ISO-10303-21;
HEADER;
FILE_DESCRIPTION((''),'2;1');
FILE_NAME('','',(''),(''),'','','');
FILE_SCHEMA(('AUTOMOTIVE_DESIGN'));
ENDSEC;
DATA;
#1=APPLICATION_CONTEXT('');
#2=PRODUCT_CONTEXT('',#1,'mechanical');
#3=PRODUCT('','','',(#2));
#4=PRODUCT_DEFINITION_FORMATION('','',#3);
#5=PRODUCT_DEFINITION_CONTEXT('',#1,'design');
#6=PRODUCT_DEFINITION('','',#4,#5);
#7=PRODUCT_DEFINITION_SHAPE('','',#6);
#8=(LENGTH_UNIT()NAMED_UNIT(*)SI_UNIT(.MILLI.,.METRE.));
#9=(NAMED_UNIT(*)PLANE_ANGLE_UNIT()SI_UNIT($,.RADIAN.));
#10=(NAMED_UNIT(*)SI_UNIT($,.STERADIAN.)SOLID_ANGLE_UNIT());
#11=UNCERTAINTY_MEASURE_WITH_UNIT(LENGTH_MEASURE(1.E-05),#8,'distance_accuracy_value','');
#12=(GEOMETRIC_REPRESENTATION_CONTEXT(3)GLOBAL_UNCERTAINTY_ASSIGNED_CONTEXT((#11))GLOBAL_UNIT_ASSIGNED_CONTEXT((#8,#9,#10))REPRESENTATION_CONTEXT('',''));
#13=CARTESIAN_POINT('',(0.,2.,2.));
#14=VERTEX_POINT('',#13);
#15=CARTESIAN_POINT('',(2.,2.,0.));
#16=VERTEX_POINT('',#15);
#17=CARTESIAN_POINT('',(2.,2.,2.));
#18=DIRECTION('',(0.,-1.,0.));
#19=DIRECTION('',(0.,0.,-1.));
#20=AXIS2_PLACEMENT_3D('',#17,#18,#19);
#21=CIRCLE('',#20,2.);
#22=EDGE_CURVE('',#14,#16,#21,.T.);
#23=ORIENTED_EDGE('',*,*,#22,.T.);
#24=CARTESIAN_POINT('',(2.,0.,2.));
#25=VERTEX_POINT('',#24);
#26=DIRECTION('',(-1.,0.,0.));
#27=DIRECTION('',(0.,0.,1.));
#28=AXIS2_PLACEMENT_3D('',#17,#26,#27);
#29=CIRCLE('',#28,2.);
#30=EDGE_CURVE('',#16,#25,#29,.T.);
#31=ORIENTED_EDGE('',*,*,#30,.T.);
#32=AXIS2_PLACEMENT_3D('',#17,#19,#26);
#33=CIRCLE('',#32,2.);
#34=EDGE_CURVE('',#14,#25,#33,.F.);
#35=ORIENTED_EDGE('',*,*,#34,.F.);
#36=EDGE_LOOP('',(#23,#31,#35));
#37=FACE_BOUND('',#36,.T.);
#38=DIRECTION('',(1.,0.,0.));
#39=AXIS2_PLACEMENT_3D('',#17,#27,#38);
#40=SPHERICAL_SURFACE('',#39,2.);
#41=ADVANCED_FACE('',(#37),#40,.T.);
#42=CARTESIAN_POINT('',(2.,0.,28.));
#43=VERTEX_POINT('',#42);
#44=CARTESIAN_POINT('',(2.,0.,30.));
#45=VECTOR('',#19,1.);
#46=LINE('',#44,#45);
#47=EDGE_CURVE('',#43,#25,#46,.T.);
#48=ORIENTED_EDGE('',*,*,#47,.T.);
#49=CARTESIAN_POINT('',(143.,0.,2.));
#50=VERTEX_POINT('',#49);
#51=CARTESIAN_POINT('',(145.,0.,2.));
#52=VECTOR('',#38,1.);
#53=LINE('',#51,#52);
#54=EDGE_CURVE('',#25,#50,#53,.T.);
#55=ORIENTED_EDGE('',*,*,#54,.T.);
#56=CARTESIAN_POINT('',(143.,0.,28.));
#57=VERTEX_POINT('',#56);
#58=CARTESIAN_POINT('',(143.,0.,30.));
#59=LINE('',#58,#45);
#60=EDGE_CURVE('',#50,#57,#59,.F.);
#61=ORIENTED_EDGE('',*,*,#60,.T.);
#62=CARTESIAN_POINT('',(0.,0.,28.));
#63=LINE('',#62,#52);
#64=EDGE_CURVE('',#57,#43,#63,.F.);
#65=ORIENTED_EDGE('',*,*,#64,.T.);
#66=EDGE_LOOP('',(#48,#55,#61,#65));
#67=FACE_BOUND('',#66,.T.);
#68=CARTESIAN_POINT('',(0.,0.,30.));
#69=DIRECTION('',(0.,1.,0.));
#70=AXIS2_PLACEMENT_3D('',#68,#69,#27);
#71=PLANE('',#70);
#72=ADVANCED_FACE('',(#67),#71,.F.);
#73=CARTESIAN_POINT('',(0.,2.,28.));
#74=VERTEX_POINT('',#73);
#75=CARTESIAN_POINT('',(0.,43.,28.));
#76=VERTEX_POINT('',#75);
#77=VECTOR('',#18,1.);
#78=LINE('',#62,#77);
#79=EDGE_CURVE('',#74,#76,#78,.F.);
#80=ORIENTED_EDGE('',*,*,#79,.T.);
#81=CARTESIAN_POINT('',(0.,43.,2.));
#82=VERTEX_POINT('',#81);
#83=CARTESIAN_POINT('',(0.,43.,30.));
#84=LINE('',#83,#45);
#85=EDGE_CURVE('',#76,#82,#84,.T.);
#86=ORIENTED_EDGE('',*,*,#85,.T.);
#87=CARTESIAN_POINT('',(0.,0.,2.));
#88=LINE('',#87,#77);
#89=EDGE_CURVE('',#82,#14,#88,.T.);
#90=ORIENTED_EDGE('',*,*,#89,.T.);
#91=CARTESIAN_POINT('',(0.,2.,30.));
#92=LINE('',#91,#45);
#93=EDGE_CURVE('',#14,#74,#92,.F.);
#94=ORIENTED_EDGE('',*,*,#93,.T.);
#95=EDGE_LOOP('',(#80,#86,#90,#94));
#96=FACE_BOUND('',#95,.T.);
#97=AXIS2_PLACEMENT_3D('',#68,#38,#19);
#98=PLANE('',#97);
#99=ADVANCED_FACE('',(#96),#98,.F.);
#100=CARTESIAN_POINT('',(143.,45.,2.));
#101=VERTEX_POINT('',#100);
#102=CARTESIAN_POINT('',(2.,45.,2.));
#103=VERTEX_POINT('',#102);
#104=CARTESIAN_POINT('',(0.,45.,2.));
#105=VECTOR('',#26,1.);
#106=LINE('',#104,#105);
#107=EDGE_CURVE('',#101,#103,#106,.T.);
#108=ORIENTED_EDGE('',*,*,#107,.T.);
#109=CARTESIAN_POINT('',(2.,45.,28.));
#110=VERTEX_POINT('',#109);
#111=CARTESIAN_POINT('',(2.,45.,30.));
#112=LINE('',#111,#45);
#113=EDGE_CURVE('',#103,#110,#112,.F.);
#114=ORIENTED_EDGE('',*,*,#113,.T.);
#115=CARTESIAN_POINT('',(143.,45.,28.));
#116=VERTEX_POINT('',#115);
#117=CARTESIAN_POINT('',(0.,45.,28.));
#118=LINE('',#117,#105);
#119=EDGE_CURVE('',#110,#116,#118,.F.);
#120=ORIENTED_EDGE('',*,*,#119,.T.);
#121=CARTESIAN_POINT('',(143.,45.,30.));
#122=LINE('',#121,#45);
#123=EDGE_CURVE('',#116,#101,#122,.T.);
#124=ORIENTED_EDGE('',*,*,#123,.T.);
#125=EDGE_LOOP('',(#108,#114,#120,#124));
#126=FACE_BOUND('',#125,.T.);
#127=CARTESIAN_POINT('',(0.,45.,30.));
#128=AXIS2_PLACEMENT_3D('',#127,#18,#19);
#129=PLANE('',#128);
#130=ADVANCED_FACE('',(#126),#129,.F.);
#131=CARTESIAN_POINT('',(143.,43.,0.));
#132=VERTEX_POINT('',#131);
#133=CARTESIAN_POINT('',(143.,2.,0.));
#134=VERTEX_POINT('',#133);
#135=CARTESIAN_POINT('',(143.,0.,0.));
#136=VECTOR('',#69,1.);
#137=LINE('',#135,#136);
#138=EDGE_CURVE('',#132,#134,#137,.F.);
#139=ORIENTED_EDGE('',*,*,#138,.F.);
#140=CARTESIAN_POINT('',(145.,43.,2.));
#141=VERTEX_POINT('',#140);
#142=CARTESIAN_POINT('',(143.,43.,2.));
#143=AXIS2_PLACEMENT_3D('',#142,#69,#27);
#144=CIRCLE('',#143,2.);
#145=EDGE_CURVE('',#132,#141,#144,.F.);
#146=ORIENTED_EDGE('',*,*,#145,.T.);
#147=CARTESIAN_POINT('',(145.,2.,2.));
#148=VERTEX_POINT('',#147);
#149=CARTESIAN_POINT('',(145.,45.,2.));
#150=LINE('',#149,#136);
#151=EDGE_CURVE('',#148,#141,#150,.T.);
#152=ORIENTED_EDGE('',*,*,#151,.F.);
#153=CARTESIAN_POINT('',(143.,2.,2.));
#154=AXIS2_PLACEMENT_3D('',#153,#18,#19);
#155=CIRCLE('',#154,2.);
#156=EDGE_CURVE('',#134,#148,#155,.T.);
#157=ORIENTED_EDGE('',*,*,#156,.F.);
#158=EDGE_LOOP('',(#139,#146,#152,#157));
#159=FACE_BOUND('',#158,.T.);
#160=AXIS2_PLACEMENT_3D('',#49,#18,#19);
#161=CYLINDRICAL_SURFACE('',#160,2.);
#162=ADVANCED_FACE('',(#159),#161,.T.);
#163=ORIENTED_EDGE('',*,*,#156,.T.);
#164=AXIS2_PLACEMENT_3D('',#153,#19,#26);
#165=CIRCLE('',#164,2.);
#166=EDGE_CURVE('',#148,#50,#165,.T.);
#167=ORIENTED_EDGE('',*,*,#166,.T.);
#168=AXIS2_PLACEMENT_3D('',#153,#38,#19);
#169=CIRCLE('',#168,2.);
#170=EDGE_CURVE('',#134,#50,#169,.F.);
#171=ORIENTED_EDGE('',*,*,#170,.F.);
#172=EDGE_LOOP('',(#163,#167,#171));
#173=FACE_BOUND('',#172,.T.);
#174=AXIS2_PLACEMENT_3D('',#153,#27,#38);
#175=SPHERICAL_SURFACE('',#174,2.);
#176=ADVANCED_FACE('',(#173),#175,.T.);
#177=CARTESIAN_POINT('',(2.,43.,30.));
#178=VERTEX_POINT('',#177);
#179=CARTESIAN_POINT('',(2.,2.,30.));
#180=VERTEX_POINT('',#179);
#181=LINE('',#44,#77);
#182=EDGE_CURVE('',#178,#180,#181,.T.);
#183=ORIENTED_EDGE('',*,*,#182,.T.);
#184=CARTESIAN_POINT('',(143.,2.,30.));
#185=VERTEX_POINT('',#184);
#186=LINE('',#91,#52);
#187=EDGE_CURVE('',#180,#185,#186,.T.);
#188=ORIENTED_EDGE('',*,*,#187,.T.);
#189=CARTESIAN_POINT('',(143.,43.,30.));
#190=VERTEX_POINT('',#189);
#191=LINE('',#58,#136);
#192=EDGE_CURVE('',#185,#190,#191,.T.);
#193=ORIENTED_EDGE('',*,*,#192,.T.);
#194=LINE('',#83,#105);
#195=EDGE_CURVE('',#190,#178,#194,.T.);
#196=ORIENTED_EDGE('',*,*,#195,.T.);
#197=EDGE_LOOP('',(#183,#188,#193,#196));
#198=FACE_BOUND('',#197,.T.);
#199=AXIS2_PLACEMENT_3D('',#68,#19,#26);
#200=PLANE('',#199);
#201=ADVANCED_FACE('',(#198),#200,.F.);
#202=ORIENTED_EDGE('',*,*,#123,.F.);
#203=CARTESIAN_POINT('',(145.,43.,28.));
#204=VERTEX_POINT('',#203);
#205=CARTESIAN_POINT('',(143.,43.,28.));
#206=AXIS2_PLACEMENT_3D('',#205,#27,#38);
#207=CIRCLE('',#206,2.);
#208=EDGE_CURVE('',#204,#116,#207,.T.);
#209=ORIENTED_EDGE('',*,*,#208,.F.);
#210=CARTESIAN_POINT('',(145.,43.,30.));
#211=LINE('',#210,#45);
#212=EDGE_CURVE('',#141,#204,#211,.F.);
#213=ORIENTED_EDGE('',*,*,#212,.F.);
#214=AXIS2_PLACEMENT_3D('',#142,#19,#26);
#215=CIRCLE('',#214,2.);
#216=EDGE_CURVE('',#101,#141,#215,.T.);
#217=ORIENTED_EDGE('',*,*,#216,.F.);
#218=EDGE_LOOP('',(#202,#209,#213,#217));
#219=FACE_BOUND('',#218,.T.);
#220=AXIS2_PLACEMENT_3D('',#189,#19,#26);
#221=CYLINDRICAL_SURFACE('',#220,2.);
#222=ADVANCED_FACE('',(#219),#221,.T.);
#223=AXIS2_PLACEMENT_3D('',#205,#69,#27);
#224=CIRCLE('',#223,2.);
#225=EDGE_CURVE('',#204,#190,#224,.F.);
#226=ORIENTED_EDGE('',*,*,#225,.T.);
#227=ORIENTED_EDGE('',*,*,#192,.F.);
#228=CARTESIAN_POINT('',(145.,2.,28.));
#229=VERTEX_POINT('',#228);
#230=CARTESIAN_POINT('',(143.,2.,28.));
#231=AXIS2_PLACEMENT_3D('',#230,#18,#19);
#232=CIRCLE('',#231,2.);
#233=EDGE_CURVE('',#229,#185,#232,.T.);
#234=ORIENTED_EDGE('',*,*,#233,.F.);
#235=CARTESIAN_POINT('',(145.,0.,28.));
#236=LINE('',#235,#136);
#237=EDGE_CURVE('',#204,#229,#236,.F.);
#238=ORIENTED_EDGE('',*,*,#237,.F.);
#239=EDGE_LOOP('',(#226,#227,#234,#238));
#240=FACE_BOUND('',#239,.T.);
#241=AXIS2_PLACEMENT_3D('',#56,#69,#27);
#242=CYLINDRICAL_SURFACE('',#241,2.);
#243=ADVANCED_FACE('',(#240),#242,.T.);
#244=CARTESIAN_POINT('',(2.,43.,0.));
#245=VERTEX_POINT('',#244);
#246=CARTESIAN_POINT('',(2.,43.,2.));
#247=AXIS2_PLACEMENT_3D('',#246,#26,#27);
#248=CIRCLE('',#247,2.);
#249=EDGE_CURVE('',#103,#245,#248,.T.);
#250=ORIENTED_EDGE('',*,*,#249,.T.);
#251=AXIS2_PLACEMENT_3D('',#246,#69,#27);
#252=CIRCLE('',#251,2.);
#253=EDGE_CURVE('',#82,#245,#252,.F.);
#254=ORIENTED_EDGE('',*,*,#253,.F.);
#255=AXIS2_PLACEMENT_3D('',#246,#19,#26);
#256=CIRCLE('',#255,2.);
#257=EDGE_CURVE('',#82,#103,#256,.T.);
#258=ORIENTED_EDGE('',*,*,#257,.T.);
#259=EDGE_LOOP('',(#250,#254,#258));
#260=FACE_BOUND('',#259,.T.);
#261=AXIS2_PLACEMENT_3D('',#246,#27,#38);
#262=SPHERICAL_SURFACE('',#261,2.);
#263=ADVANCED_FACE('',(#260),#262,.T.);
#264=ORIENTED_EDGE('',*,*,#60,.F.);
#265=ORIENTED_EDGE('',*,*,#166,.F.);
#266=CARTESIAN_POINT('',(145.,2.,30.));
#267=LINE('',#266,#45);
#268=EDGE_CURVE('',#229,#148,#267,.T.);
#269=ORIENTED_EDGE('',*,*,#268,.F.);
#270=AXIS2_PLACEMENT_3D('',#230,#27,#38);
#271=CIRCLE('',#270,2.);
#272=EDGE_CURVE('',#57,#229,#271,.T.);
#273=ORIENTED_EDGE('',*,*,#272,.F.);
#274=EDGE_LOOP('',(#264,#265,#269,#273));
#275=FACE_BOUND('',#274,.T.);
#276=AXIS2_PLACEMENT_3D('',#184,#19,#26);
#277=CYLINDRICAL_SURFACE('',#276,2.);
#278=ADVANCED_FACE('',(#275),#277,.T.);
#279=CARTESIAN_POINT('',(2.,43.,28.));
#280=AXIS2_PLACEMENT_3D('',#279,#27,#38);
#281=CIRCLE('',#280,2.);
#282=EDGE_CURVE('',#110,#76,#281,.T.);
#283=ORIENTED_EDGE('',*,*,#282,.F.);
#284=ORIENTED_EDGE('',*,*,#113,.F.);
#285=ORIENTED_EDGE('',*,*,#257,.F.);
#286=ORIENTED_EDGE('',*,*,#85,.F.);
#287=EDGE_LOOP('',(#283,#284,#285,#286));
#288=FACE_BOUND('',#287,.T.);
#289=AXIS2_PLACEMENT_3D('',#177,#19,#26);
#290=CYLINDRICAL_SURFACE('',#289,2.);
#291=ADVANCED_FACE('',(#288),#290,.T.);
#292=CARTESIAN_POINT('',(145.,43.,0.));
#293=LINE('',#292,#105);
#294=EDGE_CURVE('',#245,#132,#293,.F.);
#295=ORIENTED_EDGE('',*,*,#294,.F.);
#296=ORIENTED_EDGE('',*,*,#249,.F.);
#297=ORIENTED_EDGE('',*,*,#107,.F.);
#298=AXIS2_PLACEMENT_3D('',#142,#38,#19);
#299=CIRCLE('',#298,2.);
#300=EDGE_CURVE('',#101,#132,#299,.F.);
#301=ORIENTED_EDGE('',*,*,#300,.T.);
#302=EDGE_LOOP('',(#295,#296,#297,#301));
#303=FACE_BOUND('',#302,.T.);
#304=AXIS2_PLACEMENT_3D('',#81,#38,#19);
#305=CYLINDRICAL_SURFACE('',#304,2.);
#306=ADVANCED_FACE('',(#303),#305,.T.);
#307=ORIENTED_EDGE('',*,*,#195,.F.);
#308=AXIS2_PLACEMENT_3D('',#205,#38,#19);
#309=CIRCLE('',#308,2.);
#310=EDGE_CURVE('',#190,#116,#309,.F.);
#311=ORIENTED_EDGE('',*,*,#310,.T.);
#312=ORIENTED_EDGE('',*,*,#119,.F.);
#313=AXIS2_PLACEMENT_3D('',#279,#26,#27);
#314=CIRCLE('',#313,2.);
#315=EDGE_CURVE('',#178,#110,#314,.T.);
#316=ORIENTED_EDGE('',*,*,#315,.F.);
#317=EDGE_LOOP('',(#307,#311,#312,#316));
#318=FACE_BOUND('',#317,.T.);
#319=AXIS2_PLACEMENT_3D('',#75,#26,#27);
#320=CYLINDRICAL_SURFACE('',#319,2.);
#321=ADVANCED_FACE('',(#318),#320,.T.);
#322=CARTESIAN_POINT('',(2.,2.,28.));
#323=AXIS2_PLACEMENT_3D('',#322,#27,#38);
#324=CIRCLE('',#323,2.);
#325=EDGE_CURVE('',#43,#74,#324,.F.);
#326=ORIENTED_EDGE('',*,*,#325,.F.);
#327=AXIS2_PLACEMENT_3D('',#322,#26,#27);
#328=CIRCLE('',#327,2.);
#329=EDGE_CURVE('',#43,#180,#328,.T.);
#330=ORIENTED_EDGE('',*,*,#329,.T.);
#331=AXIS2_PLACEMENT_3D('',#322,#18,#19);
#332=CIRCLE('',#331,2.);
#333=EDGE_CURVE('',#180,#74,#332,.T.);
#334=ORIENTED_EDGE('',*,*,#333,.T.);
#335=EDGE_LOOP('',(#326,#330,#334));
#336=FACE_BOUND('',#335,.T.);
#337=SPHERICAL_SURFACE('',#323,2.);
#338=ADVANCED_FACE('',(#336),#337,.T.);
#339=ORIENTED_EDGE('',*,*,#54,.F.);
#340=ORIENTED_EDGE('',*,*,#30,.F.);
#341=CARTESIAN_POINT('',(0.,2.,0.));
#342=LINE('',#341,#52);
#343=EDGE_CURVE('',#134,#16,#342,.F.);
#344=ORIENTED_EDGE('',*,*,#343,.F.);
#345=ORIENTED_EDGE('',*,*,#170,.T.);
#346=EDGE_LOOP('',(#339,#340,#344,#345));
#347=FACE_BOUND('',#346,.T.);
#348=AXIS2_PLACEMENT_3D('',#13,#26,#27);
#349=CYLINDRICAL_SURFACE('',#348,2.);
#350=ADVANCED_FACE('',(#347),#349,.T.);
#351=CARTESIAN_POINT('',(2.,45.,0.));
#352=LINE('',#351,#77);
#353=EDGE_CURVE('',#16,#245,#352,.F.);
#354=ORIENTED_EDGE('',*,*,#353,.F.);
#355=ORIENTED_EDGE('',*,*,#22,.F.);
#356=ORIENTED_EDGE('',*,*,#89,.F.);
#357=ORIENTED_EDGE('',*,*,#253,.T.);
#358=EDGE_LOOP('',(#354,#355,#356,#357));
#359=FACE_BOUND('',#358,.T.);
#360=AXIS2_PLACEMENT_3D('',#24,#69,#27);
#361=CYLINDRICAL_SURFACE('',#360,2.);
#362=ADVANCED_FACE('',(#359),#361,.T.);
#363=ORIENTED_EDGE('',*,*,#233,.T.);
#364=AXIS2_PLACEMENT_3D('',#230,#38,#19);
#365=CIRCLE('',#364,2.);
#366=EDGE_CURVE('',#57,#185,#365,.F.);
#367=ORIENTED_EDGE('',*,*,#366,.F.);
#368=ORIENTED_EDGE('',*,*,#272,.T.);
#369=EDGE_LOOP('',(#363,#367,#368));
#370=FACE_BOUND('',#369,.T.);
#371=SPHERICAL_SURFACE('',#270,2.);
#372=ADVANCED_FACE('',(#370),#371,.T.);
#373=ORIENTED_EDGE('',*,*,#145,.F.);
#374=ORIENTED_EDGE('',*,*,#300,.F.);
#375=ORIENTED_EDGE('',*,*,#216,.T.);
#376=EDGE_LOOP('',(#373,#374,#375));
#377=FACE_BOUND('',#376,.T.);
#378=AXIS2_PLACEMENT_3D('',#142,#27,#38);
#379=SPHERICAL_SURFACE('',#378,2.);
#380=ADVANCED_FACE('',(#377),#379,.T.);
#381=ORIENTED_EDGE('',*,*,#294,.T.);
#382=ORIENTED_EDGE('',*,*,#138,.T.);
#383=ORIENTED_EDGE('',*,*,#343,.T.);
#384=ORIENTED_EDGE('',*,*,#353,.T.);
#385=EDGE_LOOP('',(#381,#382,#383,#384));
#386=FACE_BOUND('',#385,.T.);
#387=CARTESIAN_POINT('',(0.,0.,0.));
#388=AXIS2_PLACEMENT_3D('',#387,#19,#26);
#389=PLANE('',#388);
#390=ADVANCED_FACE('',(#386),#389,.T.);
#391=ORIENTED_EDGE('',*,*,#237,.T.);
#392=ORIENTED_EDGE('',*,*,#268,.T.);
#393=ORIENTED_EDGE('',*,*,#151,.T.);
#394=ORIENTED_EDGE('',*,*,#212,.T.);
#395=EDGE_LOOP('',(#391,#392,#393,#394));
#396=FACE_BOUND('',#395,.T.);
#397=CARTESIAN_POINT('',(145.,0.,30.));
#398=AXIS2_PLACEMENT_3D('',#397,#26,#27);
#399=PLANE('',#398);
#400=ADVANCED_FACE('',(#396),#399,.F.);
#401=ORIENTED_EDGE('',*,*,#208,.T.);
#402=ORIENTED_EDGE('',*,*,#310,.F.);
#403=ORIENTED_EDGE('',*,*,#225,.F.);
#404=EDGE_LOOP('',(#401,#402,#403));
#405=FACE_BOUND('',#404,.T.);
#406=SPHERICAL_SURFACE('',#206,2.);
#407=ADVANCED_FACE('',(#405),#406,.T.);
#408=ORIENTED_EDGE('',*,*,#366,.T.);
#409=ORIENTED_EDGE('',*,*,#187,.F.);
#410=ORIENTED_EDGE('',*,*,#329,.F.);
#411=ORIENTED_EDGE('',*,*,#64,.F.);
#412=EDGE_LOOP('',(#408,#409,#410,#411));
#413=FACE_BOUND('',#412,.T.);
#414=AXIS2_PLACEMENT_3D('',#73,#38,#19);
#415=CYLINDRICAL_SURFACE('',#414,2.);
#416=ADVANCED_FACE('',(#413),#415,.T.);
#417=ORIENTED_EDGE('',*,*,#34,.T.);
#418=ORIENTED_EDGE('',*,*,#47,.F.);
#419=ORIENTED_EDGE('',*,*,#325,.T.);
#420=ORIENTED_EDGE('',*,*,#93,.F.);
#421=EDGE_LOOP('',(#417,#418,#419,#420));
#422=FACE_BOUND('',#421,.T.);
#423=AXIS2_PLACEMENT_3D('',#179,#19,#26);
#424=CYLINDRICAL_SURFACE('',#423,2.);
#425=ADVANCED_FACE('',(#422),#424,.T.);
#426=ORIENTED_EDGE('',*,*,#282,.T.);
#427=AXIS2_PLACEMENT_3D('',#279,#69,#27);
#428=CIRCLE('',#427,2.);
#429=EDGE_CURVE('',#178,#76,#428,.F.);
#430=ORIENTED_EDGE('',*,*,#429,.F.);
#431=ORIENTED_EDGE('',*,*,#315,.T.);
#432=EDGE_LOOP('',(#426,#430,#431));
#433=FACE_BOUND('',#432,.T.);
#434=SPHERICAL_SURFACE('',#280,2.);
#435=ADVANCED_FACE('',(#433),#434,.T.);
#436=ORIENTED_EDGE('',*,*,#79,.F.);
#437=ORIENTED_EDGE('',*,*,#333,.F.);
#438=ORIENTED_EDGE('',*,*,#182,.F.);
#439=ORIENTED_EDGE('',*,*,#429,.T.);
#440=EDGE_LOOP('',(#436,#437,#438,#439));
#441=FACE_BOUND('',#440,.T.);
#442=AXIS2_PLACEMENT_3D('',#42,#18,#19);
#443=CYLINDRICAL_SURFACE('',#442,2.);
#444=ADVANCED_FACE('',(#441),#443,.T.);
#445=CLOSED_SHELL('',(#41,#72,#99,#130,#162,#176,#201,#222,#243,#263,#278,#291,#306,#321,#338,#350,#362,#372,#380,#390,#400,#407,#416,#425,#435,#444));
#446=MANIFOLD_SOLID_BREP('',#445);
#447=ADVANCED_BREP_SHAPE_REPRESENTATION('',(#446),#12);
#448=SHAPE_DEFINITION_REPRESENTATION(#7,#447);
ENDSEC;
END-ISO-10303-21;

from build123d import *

# Parameters (mm, degrees)
ESQUISSE1_W        = 145
ESQUISSE1_H        = 45
BOSS_EXTRU_1_DEPTH = 30
CONG_1_R           = 2


with BuildPart() as part:
    # Esquisse1 → Boss.-Extru.1 (new body)
    with BuildSketch(Plane.XY):
        with Locations((72.5, 22.5)):
            Rectangle(ESQUISSE1_W, ESQUISSE1_H)
    extrude(amount=BOSS_EXTRU_1_DEPTH)

    # Congé1
    cong_1_edges = [part.edges().sort_by_distance(p)[0] for p in [
        (145, 22.5, 30),
        (72.5, 45, 30),
        (0, 22.5, 30),
        (72.5, 45, 0),
        (145, 22.5, 0),
        (72.5, 0, 0),
        (0, 22.5, 0),
        (72.5, 0, 30),
        (0, 45, 15),
        (145, 45, 15),
        (145, 0, 15),
        (0, 0, 15),
    ]]
    fillet(cong_1_edges, radius=CONG_1_R)


solid = part.part
